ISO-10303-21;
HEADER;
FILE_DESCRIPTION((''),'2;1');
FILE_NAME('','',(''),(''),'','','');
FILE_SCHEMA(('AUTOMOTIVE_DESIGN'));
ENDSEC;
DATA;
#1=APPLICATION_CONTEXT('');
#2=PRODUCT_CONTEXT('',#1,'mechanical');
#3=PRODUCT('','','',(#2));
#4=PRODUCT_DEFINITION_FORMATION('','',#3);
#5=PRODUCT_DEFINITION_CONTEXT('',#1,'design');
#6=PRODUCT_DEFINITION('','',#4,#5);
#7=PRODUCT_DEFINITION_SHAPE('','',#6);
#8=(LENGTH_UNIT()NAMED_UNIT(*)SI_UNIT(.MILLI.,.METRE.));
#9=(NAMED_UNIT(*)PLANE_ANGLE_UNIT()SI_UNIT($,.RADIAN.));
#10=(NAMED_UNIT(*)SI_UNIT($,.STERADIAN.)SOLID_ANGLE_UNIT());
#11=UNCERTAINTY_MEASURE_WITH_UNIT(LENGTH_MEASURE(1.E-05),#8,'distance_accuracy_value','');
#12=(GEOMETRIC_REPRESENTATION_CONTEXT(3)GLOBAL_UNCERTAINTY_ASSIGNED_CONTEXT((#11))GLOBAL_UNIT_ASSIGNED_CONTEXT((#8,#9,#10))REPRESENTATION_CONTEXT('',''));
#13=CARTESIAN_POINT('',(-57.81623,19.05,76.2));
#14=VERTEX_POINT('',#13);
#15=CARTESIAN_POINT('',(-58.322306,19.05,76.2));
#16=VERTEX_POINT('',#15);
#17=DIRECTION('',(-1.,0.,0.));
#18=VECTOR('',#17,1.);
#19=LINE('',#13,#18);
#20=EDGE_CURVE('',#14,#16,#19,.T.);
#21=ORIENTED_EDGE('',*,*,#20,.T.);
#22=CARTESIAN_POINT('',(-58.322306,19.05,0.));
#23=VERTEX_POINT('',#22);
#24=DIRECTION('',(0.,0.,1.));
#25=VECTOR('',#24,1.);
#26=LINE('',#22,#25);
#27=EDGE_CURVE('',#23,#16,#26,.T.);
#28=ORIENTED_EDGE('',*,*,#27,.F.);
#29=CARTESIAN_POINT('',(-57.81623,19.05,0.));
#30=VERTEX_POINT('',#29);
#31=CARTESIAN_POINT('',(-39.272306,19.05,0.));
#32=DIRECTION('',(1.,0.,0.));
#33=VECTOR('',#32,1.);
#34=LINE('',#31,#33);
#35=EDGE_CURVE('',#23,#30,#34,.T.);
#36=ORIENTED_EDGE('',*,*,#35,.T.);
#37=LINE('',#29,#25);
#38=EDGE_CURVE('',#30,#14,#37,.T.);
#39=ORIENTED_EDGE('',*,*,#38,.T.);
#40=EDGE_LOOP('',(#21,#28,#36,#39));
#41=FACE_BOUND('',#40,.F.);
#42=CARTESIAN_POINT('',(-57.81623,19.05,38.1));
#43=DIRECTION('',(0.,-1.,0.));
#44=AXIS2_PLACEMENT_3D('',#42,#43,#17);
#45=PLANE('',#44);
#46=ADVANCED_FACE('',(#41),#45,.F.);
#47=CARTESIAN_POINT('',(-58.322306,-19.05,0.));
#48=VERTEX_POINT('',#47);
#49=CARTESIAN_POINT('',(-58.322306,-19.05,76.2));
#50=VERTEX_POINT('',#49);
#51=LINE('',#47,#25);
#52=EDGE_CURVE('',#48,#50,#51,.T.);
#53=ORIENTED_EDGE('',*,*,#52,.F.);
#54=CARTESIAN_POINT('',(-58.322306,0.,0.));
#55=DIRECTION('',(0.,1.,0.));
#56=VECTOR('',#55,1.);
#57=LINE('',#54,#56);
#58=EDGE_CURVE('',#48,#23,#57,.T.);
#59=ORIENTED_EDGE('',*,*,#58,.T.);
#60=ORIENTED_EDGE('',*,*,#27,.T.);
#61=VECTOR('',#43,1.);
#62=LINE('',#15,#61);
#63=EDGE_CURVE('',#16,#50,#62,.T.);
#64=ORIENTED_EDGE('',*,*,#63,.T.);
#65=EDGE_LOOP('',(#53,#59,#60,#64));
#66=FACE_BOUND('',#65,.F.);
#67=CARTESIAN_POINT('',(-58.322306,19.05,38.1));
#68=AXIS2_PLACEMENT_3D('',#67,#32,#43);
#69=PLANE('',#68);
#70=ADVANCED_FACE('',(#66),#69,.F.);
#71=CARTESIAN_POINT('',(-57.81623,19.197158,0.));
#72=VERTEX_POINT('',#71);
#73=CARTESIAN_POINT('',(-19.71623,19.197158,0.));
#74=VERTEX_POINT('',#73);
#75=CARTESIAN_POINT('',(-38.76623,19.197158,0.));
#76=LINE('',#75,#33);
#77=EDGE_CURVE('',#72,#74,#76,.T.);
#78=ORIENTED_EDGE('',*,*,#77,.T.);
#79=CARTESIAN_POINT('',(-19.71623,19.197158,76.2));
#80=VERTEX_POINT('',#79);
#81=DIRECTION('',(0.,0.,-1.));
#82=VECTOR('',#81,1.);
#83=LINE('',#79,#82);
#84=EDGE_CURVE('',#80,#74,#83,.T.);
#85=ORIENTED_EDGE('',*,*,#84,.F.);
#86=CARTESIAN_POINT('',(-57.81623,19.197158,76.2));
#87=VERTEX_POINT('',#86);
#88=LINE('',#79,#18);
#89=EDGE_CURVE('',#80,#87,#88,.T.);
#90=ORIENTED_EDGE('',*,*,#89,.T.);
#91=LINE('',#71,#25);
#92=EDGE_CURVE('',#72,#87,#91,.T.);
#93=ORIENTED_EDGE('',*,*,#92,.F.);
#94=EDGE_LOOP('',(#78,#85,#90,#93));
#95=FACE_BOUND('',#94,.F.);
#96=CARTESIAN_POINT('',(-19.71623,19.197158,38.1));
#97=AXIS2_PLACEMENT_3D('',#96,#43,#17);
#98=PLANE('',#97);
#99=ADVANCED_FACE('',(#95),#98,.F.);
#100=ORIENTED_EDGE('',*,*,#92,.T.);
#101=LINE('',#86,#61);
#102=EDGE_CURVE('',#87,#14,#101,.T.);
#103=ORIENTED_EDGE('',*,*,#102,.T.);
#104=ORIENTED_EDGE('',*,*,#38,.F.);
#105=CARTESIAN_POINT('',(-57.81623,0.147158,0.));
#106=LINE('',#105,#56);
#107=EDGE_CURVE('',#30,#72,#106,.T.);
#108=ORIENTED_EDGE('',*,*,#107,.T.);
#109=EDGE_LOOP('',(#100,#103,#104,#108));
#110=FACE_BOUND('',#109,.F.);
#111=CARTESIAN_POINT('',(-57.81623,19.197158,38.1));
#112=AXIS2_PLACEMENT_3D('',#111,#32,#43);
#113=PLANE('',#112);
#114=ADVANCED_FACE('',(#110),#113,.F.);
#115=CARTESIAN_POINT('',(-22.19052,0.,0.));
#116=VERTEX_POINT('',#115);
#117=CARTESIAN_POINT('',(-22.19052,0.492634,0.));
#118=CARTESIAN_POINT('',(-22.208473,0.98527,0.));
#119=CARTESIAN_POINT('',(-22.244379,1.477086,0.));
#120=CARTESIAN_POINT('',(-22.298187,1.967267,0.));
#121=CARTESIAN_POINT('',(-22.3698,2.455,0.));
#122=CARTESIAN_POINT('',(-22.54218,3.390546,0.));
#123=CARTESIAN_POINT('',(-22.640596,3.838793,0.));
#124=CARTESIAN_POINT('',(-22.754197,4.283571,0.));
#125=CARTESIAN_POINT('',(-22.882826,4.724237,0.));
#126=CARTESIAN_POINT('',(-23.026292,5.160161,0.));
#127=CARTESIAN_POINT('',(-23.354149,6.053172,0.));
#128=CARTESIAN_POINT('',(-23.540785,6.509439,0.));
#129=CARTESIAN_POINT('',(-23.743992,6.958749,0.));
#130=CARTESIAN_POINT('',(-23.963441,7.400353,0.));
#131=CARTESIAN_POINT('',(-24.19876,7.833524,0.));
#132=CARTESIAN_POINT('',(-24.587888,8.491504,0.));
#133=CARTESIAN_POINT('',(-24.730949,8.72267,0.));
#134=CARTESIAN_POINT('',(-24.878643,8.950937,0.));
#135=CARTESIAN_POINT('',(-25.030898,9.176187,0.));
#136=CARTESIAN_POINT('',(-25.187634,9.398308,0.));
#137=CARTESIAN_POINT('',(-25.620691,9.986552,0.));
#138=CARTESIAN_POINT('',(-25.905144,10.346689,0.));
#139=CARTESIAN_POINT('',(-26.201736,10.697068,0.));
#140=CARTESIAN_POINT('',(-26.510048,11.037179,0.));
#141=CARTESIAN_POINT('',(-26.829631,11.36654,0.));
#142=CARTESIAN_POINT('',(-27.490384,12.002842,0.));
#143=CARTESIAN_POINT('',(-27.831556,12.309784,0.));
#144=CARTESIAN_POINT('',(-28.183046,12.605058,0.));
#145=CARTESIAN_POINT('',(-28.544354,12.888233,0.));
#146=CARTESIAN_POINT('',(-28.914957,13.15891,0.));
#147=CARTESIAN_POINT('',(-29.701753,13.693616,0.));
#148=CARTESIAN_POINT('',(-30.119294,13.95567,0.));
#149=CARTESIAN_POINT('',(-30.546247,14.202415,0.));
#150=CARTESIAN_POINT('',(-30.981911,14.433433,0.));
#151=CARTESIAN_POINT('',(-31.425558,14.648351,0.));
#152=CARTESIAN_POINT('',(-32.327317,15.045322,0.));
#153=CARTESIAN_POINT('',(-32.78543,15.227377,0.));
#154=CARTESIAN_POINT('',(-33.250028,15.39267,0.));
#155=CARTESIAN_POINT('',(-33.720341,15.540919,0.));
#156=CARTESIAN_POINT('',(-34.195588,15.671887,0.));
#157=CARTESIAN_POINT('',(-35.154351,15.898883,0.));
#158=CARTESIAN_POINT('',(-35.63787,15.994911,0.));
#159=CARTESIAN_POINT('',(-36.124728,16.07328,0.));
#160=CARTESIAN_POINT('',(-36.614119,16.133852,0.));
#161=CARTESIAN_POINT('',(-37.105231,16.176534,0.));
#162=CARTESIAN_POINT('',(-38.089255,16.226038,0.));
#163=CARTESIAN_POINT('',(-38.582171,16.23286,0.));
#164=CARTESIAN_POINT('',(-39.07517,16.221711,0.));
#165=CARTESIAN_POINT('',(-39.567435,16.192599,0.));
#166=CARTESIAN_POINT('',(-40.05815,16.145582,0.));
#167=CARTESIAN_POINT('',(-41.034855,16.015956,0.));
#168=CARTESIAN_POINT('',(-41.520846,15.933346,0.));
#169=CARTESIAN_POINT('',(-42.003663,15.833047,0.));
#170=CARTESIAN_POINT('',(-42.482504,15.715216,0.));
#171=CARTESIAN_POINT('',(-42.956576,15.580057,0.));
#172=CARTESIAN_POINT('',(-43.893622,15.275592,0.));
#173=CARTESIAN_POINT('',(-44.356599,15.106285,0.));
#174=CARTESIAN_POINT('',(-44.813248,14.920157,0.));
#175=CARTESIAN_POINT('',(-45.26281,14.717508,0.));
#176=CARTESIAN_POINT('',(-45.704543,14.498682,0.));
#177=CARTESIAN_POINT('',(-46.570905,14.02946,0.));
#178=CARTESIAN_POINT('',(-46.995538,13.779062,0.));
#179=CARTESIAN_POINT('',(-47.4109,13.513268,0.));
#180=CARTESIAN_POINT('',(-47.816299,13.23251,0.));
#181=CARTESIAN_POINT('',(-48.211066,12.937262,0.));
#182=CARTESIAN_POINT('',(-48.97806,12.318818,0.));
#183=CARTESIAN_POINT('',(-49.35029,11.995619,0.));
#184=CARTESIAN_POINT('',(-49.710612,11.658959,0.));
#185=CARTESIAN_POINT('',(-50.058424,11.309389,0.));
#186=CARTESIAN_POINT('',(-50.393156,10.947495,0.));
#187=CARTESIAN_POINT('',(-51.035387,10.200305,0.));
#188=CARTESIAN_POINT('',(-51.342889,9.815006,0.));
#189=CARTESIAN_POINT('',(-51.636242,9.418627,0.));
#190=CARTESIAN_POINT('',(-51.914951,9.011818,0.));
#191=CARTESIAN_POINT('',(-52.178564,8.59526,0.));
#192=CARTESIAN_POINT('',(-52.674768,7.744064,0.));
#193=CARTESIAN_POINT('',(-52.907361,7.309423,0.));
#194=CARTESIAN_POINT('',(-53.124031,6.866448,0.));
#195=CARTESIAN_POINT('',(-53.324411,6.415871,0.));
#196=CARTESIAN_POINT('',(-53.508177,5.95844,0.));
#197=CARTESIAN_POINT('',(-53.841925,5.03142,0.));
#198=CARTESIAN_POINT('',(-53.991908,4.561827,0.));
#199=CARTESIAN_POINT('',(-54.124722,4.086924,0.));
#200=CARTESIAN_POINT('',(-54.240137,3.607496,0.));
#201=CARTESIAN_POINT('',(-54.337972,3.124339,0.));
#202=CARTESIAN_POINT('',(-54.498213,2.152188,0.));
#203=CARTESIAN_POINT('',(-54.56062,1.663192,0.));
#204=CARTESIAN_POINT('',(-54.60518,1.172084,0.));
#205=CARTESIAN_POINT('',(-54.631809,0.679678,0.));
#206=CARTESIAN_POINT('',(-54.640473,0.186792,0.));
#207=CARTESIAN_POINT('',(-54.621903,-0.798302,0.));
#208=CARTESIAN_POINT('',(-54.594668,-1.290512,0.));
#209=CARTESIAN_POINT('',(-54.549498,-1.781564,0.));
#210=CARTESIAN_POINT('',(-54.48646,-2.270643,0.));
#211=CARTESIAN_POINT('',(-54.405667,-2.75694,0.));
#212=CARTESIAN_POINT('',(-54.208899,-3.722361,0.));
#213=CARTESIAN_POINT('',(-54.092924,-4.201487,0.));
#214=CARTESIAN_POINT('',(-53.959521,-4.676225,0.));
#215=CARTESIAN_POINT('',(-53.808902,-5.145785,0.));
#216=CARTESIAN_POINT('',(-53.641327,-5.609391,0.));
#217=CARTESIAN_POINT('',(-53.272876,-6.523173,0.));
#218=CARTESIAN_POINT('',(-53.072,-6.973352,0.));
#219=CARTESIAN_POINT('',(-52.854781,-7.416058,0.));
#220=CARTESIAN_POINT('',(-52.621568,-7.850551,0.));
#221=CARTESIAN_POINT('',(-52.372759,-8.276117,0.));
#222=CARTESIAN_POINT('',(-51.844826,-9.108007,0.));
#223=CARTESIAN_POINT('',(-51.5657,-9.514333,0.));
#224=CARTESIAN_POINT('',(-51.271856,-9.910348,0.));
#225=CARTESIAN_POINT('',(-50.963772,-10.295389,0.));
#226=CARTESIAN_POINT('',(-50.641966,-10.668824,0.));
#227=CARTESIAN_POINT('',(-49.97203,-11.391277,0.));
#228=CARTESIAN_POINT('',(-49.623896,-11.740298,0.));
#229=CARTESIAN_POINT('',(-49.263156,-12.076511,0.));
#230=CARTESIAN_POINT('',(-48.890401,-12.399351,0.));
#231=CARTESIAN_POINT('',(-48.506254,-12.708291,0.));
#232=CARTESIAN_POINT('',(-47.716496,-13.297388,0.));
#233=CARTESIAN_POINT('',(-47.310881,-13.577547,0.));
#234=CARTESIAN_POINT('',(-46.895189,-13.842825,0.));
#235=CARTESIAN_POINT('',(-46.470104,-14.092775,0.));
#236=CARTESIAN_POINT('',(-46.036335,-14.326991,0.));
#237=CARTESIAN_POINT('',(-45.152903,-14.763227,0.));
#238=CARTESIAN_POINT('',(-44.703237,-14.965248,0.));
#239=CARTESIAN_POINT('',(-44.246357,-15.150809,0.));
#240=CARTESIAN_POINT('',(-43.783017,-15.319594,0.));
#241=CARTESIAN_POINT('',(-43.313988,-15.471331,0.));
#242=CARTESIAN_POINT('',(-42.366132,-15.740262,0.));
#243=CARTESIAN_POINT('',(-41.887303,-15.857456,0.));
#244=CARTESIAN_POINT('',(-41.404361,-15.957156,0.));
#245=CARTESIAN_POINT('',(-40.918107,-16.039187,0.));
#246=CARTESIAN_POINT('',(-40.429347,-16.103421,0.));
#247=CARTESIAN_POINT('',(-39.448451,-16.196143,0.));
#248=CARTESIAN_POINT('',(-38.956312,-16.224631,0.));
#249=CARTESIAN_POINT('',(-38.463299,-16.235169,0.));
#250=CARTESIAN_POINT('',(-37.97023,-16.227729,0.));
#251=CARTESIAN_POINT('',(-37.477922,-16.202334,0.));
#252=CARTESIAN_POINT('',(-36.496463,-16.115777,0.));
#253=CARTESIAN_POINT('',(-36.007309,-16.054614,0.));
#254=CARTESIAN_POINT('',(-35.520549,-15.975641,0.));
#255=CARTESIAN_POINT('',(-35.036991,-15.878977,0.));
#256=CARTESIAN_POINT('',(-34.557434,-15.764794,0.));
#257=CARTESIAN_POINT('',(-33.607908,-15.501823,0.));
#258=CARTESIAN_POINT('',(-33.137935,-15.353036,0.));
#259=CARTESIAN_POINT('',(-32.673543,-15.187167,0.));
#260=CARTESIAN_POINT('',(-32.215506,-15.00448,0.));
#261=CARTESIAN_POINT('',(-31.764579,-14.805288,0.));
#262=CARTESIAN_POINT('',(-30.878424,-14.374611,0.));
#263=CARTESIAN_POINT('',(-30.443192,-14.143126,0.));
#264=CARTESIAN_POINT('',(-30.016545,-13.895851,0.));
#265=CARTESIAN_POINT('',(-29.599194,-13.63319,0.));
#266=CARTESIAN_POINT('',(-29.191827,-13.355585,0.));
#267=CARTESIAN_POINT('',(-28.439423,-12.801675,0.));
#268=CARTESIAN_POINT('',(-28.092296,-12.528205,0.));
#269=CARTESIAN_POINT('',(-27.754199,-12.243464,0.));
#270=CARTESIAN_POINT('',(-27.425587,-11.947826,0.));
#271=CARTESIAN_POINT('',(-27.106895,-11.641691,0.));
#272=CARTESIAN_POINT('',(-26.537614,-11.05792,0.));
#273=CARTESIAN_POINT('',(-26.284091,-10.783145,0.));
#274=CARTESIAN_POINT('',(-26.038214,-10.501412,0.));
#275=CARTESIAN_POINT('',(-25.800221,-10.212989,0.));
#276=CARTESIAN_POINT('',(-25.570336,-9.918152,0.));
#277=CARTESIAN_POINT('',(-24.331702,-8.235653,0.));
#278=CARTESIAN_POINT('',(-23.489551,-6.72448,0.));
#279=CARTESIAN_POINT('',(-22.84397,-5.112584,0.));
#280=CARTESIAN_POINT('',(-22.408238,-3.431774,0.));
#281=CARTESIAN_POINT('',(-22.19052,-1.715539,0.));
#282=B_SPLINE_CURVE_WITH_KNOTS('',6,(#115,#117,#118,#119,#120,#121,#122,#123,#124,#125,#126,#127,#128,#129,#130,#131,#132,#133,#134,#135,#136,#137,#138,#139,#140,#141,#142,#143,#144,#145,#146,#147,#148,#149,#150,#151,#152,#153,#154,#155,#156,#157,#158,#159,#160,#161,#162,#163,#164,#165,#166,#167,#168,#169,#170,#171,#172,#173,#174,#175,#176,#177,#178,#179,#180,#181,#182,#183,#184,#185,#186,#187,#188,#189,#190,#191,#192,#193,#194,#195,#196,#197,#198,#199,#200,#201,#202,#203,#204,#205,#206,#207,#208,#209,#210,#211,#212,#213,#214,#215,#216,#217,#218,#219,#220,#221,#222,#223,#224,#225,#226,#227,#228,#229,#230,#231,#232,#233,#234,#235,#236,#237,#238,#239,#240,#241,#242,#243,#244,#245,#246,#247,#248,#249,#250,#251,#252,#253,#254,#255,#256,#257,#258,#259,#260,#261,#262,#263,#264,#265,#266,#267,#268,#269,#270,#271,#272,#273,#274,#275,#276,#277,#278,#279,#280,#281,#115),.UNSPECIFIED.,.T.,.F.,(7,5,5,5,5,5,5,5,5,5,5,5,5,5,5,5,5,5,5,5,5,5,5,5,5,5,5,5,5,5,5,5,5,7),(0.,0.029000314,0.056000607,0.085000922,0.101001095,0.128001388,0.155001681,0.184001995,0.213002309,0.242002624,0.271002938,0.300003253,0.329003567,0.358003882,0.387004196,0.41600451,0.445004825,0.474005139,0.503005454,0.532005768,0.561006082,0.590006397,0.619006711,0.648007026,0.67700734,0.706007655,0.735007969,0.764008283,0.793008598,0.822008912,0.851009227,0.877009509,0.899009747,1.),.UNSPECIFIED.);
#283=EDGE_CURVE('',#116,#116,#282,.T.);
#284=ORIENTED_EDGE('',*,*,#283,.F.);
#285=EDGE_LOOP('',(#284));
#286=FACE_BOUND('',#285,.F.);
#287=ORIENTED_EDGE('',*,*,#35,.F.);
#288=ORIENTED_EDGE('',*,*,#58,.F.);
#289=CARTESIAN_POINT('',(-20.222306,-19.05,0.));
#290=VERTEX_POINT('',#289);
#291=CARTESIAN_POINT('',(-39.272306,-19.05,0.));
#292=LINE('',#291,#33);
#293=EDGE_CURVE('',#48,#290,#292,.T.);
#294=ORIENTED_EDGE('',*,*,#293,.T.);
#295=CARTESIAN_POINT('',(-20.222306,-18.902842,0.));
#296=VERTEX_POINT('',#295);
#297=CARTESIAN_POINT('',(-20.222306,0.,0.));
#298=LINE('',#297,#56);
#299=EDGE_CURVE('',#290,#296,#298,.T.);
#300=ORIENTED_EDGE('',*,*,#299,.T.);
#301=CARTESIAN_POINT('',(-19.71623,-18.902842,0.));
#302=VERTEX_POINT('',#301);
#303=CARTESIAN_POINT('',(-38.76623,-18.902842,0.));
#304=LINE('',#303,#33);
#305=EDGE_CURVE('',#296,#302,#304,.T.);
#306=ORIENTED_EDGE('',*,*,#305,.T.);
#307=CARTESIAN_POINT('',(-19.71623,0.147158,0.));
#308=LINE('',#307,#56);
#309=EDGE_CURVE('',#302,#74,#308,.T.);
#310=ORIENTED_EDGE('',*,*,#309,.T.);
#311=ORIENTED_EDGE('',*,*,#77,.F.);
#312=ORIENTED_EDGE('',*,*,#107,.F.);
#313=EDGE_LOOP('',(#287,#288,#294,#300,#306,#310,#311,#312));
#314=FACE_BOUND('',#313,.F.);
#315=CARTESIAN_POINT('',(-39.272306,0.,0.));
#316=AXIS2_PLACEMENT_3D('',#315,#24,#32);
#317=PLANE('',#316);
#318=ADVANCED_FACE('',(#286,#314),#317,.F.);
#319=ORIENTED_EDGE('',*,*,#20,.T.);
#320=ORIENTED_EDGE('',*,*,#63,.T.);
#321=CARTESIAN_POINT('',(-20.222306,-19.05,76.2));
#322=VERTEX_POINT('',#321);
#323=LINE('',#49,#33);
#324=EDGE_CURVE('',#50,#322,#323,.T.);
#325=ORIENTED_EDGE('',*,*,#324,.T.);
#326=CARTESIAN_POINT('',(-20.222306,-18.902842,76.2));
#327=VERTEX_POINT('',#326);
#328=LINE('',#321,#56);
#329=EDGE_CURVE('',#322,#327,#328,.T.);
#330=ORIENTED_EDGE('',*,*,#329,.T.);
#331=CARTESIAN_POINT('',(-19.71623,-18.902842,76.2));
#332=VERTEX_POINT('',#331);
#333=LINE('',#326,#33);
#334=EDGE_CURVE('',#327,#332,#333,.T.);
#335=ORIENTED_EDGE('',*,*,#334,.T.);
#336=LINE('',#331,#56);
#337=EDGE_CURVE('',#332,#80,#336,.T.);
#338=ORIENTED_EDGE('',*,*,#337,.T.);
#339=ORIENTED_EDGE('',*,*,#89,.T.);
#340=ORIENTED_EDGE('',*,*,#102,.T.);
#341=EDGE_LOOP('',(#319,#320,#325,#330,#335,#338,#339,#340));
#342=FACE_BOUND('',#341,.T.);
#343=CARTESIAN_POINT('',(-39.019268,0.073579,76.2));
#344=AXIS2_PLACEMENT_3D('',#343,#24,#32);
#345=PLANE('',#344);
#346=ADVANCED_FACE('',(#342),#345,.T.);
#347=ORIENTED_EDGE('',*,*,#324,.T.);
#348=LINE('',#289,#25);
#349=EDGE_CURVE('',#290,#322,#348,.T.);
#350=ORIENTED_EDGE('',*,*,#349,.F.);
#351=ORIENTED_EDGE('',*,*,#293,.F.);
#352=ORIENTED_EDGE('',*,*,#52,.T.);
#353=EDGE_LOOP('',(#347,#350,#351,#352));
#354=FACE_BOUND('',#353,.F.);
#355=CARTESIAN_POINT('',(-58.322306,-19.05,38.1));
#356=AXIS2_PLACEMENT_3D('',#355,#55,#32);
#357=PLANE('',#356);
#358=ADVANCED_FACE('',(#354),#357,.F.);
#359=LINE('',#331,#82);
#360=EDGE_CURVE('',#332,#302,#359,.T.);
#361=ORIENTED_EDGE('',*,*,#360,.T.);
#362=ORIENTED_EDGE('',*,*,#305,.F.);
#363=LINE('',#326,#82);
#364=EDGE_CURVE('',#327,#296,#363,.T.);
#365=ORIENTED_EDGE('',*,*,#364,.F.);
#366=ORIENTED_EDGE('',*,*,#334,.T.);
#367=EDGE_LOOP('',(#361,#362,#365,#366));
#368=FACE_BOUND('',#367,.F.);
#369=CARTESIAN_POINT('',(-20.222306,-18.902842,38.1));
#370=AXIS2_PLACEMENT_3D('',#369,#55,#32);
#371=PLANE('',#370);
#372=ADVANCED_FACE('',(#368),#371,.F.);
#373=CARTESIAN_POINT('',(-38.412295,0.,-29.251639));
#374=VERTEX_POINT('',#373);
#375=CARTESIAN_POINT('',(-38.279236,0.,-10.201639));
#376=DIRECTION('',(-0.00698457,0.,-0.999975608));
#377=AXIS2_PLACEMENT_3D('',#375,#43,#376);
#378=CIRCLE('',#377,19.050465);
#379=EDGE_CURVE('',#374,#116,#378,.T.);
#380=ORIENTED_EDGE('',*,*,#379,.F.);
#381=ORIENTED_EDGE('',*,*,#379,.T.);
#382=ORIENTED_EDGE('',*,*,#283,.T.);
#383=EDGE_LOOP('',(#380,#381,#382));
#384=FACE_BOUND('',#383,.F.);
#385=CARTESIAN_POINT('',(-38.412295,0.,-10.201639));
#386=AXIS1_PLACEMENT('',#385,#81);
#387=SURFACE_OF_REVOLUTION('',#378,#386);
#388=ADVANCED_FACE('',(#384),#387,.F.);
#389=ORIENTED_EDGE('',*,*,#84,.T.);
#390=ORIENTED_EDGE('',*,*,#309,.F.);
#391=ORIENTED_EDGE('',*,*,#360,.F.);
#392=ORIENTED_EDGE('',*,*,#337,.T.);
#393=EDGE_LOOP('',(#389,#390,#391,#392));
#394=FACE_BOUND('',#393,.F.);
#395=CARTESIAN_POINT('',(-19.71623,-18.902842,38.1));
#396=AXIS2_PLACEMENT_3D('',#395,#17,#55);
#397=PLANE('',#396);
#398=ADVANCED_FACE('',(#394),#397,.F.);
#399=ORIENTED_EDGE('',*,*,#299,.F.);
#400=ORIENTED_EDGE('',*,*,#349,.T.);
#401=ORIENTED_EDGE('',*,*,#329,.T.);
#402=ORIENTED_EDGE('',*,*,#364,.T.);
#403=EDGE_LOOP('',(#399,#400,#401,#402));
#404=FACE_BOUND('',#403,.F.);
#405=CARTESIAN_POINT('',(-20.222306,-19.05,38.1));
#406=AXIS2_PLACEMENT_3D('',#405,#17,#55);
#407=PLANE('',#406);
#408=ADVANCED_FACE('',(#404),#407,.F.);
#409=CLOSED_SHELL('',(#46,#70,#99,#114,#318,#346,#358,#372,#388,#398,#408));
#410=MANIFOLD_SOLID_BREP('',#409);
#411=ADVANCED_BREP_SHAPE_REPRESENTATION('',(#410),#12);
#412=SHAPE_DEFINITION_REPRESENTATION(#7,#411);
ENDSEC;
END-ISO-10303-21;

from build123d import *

# Parameters (mm, degrees)
F2_W     = 38.1
F2_H     = 38.1
F3_DEPTH = 38.1
F4_W     = 38.1
F4_H     = 38.1
F5_DEPTH = 38.1
F6_DEPTH = 38.1


with BuildPart() as f1:
    # F0 (on Front) → F1 (revolve)
    with BuildSketch(Plane.XZ):
        with BuildLine():
            ThreePointArc((-38.412295, -29.251639), (-19.228771, -10.201639), (-38.412295, 8.848361))
            Line((-38.412295, 8.848361), (-38.412295, -29.251639))
        make_face()
    revolve(axis=Axis((-38.412295, 0, -10.201639), (0, 0, -1)))

    # F2 (on Top) → F3 (join)
    with BuildSketch(Plane.XY):
        with Locations((-39.272306, 0)):
            Rectangle(F2_W, F2_H)
    extrude(amount=F3_DEPTH)

    # F4 (on Top) → F5 (join)
    with BuildSketch(Plane.XY):
        with Locations((-38.76623, 0.147158)):
            Rectangle(F4_W, F4_H)
    extrude(amount=F5_DEPTH)

    # F5_face (on face) → F6 (join)
    with BuildSketch(Plane(origin=(-39.019268, 0.073579, 38.1), x_dir=(1, 0, 0), z_dir=(0, 0, 1))):
        Polygon((19.303038, 19.123579), (-18.796962, 19.123579), (-18.796962, 18.976421), (-19.303038, 18.976421), (-19.303038, -19.123579), (18.796962, -19.123579), (18.796962, -18.976421), (19.303038, -18.976421), align=None)
    extrude(amount=F6_DEPTH)


solid = f1.part
